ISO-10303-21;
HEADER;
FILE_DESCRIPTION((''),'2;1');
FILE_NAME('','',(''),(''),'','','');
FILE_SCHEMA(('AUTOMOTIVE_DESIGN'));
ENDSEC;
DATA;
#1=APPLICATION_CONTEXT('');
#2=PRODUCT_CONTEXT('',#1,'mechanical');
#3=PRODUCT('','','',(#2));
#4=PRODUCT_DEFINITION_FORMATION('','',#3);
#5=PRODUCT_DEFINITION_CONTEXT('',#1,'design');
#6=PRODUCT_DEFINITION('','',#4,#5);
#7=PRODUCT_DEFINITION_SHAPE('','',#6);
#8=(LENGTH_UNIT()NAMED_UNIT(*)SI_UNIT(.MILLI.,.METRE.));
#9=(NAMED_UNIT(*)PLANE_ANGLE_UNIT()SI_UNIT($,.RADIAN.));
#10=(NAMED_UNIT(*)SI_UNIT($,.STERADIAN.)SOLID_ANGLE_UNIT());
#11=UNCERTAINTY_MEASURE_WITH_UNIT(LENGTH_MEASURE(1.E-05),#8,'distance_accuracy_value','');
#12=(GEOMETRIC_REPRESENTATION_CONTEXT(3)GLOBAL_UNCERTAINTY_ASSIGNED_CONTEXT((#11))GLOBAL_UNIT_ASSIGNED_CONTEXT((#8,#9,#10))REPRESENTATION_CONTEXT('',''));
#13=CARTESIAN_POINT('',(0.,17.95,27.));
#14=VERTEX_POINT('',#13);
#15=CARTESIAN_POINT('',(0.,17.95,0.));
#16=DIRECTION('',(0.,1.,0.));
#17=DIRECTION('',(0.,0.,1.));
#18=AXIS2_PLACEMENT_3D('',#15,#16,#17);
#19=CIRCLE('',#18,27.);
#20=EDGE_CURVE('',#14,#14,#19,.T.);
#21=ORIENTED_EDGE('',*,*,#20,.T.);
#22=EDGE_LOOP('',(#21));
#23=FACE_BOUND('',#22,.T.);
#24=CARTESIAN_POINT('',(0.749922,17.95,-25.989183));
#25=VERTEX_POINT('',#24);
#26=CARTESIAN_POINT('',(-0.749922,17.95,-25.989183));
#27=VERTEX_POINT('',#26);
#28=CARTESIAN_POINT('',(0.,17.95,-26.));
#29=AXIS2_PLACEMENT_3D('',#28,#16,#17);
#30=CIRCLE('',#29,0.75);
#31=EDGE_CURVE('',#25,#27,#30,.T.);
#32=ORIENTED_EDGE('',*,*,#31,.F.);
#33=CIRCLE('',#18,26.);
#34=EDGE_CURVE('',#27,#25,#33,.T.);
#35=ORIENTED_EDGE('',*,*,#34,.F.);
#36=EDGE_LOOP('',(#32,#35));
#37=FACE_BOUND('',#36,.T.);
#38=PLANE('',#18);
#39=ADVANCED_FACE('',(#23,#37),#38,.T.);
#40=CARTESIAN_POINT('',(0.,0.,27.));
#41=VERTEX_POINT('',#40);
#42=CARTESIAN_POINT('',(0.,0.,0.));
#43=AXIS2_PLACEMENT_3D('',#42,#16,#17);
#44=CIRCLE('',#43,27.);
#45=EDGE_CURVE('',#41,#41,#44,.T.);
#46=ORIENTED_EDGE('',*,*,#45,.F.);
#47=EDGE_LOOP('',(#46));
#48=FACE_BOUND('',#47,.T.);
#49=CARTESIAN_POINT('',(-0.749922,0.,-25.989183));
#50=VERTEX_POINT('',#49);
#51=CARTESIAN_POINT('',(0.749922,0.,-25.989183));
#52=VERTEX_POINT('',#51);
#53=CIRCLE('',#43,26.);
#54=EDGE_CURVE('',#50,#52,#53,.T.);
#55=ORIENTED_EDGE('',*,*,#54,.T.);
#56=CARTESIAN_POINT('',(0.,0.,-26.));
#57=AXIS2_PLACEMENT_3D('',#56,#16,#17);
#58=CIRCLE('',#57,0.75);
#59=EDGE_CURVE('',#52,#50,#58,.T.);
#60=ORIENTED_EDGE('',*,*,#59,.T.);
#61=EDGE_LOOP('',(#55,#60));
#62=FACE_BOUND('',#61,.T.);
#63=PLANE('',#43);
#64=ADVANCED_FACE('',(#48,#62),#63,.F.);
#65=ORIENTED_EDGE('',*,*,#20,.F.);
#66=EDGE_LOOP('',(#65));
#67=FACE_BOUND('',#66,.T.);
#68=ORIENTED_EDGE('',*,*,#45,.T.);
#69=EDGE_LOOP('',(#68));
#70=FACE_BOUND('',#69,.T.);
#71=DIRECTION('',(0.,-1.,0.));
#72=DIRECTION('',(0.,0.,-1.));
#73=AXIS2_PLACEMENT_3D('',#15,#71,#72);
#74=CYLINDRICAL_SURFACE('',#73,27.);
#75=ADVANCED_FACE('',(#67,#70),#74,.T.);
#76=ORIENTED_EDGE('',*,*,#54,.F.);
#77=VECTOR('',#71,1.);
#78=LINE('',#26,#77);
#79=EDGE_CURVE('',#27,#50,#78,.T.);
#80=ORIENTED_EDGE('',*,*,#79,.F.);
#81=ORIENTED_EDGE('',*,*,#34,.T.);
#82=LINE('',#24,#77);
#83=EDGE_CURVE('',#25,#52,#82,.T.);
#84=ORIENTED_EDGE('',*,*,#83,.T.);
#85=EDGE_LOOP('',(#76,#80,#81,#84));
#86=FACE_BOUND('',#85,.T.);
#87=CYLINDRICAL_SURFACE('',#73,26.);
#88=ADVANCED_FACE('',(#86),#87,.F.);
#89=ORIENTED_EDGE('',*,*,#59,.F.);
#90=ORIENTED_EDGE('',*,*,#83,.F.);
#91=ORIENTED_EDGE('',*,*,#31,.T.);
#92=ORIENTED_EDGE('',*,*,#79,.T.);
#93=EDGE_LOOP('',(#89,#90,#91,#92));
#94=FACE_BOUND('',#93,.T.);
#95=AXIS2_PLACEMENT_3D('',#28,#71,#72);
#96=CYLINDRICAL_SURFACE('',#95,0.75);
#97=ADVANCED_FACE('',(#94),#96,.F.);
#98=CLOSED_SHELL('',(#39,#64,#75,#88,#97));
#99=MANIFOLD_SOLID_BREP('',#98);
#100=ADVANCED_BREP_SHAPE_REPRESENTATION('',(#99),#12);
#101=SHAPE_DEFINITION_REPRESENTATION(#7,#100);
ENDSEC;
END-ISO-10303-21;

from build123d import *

# Parameters (mm, degrees)
SKICA1_R                = 27
P_IDAT_VYSUNUT_M1_DEPTH = 17.95


with BuildPart() as part:
    # Skica1 → Přidat vysunutím1 (new body)
    with BuildSketch(Plane(origin=(0, 0, 0), x_dir=(1, 0, 0), z_dir=(0, 1, 0))):
        with Locations(Location((0, 0, 0), (0, 0, 270))):
            Circle(SKICA1_R)
        with BuildLine():
            ThreePointArc((-0.749921987, 25.989182692), (0, -26), (0.749921987, 25.989182692))
            ThreePointArc((0.749921987, 25.989182692), (0, 26.75), (-0.749921987, 25.989182692))
        make_face(mode=Mode.SUBTRACT)
    extrude(amount=P_IDAT_VYSUNUT_M1_DEPTH)


solid = part.part
